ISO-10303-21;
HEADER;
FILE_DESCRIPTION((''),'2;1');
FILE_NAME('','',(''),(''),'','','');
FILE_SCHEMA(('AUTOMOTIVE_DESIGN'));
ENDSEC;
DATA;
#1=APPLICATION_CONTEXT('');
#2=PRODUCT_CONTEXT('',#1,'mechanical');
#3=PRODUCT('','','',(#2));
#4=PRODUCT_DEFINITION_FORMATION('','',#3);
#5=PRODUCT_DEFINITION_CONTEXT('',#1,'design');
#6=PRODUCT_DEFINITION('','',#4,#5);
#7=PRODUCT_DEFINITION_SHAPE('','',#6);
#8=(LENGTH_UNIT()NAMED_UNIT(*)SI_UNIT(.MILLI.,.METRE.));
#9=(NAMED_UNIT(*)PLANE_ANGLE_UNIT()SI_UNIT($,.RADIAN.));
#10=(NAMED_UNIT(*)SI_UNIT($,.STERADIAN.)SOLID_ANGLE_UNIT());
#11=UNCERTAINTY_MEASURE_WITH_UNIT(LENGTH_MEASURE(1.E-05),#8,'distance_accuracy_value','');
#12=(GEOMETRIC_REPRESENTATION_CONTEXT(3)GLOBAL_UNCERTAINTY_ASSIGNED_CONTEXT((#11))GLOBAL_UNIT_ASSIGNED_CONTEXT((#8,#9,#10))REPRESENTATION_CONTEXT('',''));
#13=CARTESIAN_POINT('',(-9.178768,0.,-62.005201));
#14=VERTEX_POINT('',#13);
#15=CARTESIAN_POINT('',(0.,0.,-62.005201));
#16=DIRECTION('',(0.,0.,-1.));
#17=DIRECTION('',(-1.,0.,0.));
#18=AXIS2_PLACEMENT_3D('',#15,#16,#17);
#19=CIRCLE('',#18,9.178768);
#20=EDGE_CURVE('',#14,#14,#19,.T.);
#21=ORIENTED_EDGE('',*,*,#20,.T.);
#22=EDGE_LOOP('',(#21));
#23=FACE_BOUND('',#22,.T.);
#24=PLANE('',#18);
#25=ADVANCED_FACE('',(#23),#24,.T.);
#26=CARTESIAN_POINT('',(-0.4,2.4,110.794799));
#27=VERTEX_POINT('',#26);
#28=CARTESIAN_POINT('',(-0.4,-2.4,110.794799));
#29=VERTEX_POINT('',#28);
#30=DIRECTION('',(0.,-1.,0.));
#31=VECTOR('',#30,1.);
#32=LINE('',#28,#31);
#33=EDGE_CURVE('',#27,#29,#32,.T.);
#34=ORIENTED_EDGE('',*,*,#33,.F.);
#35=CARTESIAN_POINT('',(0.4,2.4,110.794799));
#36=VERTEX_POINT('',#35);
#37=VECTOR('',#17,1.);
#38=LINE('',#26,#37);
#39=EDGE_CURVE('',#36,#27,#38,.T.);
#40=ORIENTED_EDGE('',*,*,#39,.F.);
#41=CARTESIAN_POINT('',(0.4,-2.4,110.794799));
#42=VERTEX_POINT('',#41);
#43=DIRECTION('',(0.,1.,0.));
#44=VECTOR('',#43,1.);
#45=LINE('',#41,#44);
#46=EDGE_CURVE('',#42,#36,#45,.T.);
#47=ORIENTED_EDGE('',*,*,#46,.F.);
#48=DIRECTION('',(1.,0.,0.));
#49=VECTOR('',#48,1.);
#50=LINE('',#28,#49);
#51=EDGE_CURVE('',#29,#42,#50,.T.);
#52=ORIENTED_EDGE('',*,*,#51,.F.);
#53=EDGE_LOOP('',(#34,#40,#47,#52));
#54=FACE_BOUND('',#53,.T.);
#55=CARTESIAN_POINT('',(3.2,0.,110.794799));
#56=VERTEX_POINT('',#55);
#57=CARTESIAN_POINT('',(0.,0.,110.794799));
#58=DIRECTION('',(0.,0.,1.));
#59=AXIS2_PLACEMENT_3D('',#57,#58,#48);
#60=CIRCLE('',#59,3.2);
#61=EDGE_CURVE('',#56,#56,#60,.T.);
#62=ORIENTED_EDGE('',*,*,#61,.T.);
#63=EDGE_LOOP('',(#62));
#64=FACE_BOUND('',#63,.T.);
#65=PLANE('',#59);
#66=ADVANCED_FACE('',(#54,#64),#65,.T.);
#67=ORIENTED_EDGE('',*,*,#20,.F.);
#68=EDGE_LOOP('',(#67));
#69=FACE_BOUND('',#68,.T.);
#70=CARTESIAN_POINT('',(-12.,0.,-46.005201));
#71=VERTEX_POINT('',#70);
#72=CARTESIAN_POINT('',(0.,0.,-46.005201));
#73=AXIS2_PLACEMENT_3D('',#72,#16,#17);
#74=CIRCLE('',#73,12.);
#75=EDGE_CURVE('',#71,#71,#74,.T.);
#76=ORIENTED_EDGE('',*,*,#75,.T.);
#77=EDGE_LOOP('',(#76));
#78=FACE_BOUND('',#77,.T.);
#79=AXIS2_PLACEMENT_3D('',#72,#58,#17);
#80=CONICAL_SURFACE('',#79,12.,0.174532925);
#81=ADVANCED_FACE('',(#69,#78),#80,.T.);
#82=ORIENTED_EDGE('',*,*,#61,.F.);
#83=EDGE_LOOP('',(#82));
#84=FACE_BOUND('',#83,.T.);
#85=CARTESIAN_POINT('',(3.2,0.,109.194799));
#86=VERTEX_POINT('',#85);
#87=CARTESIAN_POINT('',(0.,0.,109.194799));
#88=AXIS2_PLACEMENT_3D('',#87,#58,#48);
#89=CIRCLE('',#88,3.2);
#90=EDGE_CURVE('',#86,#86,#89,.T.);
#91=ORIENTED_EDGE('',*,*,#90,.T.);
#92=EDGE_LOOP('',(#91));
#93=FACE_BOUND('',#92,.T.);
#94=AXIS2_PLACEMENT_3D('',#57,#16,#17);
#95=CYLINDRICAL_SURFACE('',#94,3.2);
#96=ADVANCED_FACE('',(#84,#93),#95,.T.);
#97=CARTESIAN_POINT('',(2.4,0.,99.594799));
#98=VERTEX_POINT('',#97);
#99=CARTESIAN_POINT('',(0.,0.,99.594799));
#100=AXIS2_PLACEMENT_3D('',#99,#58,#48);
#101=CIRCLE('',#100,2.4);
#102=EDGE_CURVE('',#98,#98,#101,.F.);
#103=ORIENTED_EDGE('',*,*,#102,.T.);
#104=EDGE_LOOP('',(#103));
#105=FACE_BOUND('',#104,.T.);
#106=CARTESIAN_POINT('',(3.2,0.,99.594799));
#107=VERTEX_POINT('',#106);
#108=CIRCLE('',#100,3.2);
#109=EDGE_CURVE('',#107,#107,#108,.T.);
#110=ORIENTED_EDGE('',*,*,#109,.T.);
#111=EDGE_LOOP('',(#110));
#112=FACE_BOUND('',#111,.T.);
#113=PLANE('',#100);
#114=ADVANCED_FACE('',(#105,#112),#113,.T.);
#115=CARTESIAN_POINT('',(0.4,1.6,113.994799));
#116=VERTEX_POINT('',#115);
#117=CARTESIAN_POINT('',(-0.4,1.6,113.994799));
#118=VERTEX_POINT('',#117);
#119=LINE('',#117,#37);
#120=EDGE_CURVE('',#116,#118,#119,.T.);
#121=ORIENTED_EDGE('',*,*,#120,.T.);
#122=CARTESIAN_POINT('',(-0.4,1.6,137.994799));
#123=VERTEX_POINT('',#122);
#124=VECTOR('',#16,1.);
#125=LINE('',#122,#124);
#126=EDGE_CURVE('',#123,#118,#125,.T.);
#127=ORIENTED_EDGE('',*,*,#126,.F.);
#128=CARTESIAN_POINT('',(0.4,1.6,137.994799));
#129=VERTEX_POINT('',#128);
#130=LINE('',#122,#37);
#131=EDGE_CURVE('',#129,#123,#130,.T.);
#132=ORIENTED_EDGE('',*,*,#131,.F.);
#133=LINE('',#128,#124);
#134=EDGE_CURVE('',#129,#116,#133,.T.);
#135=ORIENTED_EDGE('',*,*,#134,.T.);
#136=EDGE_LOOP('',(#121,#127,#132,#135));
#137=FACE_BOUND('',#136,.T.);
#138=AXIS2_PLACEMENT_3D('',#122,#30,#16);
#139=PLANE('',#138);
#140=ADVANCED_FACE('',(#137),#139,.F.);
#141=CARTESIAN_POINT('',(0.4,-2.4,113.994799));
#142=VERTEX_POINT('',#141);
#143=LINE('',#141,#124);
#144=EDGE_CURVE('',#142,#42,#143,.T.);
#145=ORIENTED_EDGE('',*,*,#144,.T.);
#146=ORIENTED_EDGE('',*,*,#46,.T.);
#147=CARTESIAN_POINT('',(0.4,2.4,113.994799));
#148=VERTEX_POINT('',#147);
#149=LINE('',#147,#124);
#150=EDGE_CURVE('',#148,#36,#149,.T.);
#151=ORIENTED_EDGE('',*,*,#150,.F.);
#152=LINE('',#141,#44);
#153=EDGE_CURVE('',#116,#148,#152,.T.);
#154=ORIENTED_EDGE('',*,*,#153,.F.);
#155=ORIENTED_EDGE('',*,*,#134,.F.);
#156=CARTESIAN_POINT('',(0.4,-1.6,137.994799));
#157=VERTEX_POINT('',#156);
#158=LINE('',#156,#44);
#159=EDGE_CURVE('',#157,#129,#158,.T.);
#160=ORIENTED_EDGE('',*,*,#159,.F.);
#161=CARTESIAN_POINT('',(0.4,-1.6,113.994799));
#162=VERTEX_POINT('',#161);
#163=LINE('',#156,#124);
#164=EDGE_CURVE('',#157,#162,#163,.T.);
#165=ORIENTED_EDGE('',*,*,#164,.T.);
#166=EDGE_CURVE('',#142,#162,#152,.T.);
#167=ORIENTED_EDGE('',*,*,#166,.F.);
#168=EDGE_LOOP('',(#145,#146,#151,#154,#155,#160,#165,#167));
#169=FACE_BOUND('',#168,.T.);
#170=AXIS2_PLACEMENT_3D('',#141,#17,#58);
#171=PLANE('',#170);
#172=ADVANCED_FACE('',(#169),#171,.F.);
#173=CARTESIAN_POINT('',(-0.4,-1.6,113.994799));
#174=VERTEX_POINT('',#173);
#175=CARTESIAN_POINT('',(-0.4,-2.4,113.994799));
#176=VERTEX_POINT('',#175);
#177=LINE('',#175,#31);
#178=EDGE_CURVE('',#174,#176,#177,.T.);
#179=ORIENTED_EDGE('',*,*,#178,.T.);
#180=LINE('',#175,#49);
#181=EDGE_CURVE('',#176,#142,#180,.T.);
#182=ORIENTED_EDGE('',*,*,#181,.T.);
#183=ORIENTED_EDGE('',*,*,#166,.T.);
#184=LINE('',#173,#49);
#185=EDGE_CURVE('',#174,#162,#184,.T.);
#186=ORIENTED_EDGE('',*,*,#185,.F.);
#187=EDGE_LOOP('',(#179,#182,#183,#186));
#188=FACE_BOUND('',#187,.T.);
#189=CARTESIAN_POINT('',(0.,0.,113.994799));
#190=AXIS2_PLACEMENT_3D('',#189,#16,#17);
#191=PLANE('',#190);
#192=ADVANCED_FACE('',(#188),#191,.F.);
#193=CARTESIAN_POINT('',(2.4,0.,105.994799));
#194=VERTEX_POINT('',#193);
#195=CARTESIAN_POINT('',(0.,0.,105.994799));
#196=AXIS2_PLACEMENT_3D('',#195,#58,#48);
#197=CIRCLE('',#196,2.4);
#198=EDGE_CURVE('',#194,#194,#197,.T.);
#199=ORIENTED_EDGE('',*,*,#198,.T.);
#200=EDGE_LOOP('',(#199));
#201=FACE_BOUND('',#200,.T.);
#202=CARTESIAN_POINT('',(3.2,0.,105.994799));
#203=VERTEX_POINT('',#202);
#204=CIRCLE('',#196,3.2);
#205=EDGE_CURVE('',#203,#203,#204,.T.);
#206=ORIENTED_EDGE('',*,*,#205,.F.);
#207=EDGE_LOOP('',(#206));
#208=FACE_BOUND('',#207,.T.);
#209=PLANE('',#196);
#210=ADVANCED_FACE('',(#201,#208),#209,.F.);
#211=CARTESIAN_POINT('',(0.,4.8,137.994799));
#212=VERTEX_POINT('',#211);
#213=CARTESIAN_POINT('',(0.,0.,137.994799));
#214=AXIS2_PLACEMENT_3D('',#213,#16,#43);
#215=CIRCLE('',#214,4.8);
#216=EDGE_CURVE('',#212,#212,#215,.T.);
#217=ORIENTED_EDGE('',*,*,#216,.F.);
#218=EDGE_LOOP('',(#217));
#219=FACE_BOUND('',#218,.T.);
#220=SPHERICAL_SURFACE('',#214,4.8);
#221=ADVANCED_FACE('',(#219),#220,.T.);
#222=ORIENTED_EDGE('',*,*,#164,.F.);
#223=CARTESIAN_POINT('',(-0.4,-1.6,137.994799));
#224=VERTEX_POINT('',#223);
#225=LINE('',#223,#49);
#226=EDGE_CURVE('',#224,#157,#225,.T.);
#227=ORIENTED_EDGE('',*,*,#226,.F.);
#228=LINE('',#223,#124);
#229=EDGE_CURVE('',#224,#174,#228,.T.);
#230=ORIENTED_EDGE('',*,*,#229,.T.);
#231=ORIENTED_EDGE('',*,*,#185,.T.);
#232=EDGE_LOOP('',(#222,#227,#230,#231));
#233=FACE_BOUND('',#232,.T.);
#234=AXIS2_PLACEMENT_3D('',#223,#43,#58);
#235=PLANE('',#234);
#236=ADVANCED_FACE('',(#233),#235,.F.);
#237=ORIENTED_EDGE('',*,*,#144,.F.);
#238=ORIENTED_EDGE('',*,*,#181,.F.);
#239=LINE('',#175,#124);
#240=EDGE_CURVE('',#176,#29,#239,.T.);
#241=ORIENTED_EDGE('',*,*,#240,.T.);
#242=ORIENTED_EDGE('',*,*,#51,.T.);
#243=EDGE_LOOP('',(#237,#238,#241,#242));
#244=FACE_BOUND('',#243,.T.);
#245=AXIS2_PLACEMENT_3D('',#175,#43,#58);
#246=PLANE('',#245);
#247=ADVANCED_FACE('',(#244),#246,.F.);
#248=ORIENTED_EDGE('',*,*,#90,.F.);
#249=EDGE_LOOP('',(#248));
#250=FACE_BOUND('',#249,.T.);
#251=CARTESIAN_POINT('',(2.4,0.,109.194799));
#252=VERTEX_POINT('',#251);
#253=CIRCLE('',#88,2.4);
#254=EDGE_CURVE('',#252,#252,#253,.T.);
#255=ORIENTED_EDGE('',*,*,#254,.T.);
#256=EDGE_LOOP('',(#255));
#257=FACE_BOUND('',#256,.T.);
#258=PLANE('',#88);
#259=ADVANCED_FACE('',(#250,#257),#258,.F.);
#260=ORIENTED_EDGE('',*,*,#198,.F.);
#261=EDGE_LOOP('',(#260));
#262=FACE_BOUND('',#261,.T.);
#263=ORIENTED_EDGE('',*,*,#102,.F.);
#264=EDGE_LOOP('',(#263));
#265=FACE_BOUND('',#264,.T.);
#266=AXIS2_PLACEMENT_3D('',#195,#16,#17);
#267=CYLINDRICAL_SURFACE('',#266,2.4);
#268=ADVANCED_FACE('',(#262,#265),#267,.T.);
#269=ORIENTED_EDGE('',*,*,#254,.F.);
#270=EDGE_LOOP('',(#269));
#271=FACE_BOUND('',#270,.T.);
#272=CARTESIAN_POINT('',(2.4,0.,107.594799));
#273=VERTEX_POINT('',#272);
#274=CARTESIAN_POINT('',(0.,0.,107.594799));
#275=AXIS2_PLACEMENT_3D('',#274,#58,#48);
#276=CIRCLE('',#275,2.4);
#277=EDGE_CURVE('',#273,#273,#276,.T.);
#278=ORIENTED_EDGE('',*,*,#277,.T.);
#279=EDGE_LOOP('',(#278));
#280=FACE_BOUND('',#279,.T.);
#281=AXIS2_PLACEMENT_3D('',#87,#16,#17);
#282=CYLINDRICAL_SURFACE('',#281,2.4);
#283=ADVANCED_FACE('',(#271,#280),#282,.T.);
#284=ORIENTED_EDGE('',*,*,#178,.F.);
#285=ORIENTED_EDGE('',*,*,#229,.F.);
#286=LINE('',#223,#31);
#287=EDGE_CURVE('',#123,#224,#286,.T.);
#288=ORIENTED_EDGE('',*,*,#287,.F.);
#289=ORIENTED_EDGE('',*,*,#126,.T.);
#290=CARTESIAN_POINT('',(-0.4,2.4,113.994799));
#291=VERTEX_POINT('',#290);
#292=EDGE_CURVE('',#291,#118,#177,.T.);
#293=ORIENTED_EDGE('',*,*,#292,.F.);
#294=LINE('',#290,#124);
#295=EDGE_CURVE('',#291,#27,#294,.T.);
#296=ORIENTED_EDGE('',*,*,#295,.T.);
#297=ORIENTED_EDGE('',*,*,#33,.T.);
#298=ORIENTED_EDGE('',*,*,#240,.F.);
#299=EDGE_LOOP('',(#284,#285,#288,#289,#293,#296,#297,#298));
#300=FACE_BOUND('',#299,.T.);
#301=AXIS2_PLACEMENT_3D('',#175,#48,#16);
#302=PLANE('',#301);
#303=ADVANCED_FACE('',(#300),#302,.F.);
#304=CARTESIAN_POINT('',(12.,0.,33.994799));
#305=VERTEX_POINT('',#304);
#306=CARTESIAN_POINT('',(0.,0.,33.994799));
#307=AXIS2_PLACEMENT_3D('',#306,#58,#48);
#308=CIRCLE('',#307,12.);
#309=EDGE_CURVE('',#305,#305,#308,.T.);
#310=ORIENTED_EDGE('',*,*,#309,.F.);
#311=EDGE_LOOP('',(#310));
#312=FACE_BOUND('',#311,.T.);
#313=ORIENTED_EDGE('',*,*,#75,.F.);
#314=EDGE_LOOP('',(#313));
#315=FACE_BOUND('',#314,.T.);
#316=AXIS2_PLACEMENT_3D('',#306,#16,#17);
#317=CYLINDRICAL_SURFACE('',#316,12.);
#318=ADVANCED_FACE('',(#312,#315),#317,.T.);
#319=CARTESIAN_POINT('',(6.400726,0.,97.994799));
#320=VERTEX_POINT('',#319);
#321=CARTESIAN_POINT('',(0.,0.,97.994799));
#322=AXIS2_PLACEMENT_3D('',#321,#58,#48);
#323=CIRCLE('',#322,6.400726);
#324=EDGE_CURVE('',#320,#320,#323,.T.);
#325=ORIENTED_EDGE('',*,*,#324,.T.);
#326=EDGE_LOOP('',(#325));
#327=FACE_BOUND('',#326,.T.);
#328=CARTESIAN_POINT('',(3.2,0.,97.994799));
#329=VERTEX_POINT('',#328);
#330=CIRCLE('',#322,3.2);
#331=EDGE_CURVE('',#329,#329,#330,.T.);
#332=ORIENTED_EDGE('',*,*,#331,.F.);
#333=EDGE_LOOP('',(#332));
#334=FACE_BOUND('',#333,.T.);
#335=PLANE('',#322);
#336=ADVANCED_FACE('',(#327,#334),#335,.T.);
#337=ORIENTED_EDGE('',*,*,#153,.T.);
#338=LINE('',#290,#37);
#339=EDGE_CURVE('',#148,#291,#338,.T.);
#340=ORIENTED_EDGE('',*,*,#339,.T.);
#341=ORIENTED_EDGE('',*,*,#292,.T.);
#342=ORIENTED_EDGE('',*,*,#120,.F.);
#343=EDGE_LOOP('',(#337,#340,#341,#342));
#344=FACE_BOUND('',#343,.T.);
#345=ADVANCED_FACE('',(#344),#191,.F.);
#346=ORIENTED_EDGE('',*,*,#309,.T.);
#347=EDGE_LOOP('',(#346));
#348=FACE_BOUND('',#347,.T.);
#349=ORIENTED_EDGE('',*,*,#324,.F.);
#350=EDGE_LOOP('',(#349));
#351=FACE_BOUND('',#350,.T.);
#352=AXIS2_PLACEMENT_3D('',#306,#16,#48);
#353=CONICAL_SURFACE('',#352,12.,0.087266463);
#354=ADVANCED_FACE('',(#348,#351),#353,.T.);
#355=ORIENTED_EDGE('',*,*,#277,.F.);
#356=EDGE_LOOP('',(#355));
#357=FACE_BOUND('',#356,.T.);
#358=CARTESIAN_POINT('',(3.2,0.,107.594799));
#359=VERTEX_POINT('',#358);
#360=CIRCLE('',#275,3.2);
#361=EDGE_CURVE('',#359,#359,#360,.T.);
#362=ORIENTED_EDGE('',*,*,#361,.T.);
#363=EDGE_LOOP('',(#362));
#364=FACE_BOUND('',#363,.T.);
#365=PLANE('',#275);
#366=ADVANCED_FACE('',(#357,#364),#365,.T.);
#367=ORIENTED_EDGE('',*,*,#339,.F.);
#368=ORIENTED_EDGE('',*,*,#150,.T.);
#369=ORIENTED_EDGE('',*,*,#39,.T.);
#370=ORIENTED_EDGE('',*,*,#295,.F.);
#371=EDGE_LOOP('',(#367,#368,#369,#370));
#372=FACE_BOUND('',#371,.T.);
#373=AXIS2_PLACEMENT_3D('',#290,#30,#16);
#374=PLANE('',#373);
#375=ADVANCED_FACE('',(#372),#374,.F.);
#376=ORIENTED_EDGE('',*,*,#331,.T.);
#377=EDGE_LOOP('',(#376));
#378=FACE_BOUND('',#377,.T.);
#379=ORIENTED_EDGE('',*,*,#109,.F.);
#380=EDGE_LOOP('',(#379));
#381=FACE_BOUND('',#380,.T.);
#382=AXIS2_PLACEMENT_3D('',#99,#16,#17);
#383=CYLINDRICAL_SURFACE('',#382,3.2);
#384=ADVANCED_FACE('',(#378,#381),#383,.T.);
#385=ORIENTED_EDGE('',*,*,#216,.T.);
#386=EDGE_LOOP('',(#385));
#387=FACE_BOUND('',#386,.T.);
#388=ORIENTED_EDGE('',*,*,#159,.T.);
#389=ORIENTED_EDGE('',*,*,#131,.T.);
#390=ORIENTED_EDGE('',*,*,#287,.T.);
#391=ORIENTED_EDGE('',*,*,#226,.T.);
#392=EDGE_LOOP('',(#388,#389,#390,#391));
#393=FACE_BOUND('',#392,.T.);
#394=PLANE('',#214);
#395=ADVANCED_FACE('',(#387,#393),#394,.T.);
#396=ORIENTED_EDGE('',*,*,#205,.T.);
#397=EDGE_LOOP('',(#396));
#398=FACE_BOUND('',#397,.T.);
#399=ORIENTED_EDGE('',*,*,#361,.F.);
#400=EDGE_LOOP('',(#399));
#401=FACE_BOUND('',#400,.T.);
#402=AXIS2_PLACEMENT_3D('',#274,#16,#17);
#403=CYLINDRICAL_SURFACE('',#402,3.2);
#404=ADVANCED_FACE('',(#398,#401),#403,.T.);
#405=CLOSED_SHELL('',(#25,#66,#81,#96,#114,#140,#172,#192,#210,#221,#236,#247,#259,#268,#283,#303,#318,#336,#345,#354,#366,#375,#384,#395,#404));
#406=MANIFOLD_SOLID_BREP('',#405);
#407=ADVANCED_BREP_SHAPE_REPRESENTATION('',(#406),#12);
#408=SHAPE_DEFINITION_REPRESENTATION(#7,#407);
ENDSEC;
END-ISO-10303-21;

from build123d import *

# Parameters (mm, degrees)
SKETCH1_R            = 7.5
BOSS_EXTRUDE1_DEPTH  = 25
SKETCH4_R            = 7.5
BOSS_EXTRUDE4_DEPTH  = 40
BOSS_EXTRUDE4_TAPER  = 5
SKETCH5_R            = 2
BOSS_EXTRUDE5_DEPTH  = 1
SKETCH5_5_R          = 1.5
BOSS_EXTRUDE6_DEPTH  = 5
SKETCH6_R            = 2
BOSS_EXTRUDE7_DEPTH  = 1
SKETCH8_R            = 1.5
BOSS_EXTRUDE8_DEPTH  = 1
SKETCH9_R            = 2
BOSS_EXTRUDE9_DEPTH  = 1
SKETCH10_W           = 0.5
SKETCH10_H           = 3
BOSS_EXTRUDE10_DEPTH = 2
SKETCH11_W           = 0.5
SKETCH11_H           = 2
BOSS_EXTRUDE11_DEPTH = 15
SKETCH14_R           = 7.5
BOSS_EXTRUDE13_DEPTH = 10
BOSS_EXTRUDE13_TAPER = 10
SCALE1_SCALE         = 1.6


with BuildPart() as part:
    # Sketch1 → Boss-Extrude1 (new, symmetric)
    with BuildSketch(Plane.XY):
        Circle(SKETCH1_R)
    extrude(amount=BOSS_EXTRUDE1_DEPTH, both=True)

    # Sketch4 → Boss-Extrude4 (add)
    with BuildSketch(Plane.XY.offset(25)):
        Circle(SKETCH4_R)
    extrude(amount=BOSS_EXTRUDE4_DEPTH, taper=BOSS_EXTRUDE4_TAPER)

    # Sketch5 → Boss-Extrude5 (add)
    with BuildSketch(Plane.XY.offset(65)):
        Circle(SKETCH5_R)
    extrude(amount=BOSS_EXTRUDE5_DEPTH)

    # Sketch5<5> → Boss-Extrude6 (add)
    with BuildSketch(Plane.XY.offset(65)):
        Circle(SKETCH5_5_R)
    extrude(amount=BOSS_EXTRUDE6_DEPTH)

    # Sketch6 → Boss-Extrude7 (add)
    with BuildSketch(Plane.XY.offset(70)):
        Circle(SKETCH6_R)
    extrude(amount=BOSS_EXTRUDE7_DEPTH)

    # Sketch8 → Boss-Extrude8 (add)
    with BuildSketch(Plane.XY.offset(71)):
        Circle(SKETCH8_R)
    extrude(amount=BOSS_EXTRUDE8_DEPTH)

    # Sketch9 → Boss-Extrude9 (add)
    with BuildSketch(Plane.XY.offset(72)):
        Circle(SKETCH9_R)
    extrude(amount=BOSS_EXTRUDE9_DEPTH)

    # Sketch10 → Boss-Extrude10 (add)
    with BuildSketch(Plane.XY.offset(73)):
        Rectangle(SKETCH10_W, SKETCH10_H)
    extrude(amount=BOSS_EXTRUDE10_DEPTH)

    # Sketch11 → Boss-Extrude11 (add)
    with BuildSketch(Plane.XY.offset(75)):
        Rectangle(SKETCH11_W, SKETCH11_H)
    extrude(amount=BOSS_EXTRUDE11_DEPTH)

    # Sketch12 → Revolve1 (revolve)
    with BuildSketch(Plane(origin=(0, 0, 0), x_dir=(0, 0, -1), z_dir=(1, 0, 0))):
        with BuildLine():
            Line((-90, 0), (-93, 0))
            ThreePointArc((-93, 0), (-92.121320344, 2.121320344), (-90, 3))
            Line((-90, 3), (-90, 0))
        make_face()
    revolve(axis=Axis((0, 0, 90), (0, 0, 1)))

    # Sketch14 → Boss-Extrude13 (add)
    with BuildSketch(Plane(origin=(0, 0, -25), x_dir=(-1, 0, 0), z_dir=(0, 0, -1))):
        Circle(SKETCH14_R)
    extrude(amount=BOSS_EXTRUDE13_DEPTH, taper=BOSS_EXTRUDE13_TAPER)


with BuildPart() as part_1:
    # Scale1: scaled about (0, 0, 10.008668497)
    add(part.part.scale(SCALE1_SCALE).moved(Location((0, 0, -6.005201098))))


solid = part_1.part
